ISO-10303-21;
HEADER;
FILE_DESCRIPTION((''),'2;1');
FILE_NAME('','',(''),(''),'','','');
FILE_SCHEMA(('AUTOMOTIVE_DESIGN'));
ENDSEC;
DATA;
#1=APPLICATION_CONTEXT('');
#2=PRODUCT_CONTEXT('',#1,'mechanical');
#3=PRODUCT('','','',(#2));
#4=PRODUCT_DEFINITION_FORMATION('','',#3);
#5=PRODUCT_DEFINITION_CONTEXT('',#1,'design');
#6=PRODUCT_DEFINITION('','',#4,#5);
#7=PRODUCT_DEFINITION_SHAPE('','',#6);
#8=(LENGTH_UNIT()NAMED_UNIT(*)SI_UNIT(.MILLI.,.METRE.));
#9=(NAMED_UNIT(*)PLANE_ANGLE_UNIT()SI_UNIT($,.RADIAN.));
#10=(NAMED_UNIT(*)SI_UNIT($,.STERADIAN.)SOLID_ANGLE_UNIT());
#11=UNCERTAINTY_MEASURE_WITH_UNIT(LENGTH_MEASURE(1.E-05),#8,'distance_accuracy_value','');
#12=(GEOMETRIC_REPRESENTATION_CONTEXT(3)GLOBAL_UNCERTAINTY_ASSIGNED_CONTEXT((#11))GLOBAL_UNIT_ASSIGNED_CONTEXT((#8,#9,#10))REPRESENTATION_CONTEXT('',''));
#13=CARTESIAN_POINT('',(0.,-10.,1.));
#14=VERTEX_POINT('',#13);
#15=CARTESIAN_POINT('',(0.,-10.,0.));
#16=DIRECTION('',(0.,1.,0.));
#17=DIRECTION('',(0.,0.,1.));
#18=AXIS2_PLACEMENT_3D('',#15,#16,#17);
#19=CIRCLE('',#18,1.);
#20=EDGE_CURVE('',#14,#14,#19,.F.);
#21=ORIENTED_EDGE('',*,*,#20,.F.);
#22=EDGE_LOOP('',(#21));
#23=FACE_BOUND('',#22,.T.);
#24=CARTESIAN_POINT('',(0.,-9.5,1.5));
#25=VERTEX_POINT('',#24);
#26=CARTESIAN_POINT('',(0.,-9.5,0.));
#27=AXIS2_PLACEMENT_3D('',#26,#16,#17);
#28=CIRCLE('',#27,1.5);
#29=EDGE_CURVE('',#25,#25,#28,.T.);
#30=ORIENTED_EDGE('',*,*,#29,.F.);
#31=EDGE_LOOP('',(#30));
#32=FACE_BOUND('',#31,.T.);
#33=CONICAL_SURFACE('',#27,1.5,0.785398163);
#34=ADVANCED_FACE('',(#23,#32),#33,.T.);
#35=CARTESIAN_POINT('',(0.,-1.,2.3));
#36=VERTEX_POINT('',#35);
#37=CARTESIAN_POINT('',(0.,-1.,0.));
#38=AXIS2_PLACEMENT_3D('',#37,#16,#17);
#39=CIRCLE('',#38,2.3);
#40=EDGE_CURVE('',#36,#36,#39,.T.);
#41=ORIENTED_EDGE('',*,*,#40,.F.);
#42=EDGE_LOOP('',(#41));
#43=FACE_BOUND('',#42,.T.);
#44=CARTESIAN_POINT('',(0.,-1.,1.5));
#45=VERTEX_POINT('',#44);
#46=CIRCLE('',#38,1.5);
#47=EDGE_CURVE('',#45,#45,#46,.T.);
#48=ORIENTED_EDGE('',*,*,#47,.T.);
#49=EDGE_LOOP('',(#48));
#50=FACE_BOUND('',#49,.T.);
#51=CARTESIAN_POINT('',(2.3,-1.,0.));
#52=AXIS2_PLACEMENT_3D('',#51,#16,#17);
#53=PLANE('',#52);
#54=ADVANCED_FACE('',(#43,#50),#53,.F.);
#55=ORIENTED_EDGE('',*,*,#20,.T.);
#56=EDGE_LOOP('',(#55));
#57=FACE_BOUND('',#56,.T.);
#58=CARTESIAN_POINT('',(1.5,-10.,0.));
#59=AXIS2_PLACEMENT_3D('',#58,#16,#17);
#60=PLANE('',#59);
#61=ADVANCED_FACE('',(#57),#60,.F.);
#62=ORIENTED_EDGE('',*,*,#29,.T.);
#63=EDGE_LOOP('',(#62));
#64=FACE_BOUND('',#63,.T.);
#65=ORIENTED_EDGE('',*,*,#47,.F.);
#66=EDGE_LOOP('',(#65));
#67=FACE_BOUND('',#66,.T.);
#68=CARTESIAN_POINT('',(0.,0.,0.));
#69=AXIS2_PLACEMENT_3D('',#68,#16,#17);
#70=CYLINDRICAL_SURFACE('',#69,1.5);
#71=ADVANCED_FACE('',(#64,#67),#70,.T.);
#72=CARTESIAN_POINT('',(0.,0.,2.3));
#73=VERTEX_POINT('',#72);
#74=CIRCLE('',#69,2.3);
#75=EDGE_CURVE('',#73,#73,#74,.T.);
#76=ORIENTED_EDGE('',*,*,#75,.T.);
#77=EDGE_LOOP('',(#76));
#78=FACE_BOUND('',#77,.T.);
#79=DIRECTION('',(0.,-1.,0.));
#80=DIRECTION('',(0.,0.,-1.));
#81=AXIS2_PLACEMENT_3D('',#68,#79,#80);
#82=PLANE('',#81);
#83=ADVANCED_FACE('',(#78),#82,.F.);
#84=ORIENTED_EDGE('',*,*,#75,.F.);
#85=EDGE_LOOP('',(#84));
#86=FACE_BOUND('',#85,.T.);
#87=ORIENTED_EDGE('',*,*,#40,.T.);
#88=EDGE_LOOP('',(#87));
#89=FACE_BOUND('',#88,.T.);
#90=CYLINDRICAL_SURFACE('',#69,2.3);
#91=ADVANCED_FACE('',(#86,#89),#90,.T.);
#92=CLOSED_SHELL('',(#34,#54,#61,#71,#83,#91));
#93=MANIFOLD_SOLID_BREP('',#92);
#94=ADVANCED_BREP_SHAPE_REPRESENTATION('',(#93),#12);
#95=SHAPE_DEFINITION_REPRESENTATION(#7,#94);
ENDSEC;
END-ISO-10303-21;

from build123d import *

# Parameters (mm, degrees)
CHAFL_N1_SIZE = 0.5


with BuildPart() as part:
    # Croquis1 → Revolución1 (revolve)
    with BuildSketch(Plane.XY):
        Polygon((0, 0), (2.3, 0), (2.3, -1), (1.5, -1), (1.5, -10), (0, -10), align=None)
    revolve(axis=Axis((0, 0, 0), (0, -1, 0)))

    # Chaflán1
    chafl_n1_edges = [part.edges().sort_by_distance(p)[0] for p in [
        (-1.5, -10, 0),
    ]]
    chamfer(chafl_n1_edges, length=CHAFL_N1_SIZE)


solid = part.part
